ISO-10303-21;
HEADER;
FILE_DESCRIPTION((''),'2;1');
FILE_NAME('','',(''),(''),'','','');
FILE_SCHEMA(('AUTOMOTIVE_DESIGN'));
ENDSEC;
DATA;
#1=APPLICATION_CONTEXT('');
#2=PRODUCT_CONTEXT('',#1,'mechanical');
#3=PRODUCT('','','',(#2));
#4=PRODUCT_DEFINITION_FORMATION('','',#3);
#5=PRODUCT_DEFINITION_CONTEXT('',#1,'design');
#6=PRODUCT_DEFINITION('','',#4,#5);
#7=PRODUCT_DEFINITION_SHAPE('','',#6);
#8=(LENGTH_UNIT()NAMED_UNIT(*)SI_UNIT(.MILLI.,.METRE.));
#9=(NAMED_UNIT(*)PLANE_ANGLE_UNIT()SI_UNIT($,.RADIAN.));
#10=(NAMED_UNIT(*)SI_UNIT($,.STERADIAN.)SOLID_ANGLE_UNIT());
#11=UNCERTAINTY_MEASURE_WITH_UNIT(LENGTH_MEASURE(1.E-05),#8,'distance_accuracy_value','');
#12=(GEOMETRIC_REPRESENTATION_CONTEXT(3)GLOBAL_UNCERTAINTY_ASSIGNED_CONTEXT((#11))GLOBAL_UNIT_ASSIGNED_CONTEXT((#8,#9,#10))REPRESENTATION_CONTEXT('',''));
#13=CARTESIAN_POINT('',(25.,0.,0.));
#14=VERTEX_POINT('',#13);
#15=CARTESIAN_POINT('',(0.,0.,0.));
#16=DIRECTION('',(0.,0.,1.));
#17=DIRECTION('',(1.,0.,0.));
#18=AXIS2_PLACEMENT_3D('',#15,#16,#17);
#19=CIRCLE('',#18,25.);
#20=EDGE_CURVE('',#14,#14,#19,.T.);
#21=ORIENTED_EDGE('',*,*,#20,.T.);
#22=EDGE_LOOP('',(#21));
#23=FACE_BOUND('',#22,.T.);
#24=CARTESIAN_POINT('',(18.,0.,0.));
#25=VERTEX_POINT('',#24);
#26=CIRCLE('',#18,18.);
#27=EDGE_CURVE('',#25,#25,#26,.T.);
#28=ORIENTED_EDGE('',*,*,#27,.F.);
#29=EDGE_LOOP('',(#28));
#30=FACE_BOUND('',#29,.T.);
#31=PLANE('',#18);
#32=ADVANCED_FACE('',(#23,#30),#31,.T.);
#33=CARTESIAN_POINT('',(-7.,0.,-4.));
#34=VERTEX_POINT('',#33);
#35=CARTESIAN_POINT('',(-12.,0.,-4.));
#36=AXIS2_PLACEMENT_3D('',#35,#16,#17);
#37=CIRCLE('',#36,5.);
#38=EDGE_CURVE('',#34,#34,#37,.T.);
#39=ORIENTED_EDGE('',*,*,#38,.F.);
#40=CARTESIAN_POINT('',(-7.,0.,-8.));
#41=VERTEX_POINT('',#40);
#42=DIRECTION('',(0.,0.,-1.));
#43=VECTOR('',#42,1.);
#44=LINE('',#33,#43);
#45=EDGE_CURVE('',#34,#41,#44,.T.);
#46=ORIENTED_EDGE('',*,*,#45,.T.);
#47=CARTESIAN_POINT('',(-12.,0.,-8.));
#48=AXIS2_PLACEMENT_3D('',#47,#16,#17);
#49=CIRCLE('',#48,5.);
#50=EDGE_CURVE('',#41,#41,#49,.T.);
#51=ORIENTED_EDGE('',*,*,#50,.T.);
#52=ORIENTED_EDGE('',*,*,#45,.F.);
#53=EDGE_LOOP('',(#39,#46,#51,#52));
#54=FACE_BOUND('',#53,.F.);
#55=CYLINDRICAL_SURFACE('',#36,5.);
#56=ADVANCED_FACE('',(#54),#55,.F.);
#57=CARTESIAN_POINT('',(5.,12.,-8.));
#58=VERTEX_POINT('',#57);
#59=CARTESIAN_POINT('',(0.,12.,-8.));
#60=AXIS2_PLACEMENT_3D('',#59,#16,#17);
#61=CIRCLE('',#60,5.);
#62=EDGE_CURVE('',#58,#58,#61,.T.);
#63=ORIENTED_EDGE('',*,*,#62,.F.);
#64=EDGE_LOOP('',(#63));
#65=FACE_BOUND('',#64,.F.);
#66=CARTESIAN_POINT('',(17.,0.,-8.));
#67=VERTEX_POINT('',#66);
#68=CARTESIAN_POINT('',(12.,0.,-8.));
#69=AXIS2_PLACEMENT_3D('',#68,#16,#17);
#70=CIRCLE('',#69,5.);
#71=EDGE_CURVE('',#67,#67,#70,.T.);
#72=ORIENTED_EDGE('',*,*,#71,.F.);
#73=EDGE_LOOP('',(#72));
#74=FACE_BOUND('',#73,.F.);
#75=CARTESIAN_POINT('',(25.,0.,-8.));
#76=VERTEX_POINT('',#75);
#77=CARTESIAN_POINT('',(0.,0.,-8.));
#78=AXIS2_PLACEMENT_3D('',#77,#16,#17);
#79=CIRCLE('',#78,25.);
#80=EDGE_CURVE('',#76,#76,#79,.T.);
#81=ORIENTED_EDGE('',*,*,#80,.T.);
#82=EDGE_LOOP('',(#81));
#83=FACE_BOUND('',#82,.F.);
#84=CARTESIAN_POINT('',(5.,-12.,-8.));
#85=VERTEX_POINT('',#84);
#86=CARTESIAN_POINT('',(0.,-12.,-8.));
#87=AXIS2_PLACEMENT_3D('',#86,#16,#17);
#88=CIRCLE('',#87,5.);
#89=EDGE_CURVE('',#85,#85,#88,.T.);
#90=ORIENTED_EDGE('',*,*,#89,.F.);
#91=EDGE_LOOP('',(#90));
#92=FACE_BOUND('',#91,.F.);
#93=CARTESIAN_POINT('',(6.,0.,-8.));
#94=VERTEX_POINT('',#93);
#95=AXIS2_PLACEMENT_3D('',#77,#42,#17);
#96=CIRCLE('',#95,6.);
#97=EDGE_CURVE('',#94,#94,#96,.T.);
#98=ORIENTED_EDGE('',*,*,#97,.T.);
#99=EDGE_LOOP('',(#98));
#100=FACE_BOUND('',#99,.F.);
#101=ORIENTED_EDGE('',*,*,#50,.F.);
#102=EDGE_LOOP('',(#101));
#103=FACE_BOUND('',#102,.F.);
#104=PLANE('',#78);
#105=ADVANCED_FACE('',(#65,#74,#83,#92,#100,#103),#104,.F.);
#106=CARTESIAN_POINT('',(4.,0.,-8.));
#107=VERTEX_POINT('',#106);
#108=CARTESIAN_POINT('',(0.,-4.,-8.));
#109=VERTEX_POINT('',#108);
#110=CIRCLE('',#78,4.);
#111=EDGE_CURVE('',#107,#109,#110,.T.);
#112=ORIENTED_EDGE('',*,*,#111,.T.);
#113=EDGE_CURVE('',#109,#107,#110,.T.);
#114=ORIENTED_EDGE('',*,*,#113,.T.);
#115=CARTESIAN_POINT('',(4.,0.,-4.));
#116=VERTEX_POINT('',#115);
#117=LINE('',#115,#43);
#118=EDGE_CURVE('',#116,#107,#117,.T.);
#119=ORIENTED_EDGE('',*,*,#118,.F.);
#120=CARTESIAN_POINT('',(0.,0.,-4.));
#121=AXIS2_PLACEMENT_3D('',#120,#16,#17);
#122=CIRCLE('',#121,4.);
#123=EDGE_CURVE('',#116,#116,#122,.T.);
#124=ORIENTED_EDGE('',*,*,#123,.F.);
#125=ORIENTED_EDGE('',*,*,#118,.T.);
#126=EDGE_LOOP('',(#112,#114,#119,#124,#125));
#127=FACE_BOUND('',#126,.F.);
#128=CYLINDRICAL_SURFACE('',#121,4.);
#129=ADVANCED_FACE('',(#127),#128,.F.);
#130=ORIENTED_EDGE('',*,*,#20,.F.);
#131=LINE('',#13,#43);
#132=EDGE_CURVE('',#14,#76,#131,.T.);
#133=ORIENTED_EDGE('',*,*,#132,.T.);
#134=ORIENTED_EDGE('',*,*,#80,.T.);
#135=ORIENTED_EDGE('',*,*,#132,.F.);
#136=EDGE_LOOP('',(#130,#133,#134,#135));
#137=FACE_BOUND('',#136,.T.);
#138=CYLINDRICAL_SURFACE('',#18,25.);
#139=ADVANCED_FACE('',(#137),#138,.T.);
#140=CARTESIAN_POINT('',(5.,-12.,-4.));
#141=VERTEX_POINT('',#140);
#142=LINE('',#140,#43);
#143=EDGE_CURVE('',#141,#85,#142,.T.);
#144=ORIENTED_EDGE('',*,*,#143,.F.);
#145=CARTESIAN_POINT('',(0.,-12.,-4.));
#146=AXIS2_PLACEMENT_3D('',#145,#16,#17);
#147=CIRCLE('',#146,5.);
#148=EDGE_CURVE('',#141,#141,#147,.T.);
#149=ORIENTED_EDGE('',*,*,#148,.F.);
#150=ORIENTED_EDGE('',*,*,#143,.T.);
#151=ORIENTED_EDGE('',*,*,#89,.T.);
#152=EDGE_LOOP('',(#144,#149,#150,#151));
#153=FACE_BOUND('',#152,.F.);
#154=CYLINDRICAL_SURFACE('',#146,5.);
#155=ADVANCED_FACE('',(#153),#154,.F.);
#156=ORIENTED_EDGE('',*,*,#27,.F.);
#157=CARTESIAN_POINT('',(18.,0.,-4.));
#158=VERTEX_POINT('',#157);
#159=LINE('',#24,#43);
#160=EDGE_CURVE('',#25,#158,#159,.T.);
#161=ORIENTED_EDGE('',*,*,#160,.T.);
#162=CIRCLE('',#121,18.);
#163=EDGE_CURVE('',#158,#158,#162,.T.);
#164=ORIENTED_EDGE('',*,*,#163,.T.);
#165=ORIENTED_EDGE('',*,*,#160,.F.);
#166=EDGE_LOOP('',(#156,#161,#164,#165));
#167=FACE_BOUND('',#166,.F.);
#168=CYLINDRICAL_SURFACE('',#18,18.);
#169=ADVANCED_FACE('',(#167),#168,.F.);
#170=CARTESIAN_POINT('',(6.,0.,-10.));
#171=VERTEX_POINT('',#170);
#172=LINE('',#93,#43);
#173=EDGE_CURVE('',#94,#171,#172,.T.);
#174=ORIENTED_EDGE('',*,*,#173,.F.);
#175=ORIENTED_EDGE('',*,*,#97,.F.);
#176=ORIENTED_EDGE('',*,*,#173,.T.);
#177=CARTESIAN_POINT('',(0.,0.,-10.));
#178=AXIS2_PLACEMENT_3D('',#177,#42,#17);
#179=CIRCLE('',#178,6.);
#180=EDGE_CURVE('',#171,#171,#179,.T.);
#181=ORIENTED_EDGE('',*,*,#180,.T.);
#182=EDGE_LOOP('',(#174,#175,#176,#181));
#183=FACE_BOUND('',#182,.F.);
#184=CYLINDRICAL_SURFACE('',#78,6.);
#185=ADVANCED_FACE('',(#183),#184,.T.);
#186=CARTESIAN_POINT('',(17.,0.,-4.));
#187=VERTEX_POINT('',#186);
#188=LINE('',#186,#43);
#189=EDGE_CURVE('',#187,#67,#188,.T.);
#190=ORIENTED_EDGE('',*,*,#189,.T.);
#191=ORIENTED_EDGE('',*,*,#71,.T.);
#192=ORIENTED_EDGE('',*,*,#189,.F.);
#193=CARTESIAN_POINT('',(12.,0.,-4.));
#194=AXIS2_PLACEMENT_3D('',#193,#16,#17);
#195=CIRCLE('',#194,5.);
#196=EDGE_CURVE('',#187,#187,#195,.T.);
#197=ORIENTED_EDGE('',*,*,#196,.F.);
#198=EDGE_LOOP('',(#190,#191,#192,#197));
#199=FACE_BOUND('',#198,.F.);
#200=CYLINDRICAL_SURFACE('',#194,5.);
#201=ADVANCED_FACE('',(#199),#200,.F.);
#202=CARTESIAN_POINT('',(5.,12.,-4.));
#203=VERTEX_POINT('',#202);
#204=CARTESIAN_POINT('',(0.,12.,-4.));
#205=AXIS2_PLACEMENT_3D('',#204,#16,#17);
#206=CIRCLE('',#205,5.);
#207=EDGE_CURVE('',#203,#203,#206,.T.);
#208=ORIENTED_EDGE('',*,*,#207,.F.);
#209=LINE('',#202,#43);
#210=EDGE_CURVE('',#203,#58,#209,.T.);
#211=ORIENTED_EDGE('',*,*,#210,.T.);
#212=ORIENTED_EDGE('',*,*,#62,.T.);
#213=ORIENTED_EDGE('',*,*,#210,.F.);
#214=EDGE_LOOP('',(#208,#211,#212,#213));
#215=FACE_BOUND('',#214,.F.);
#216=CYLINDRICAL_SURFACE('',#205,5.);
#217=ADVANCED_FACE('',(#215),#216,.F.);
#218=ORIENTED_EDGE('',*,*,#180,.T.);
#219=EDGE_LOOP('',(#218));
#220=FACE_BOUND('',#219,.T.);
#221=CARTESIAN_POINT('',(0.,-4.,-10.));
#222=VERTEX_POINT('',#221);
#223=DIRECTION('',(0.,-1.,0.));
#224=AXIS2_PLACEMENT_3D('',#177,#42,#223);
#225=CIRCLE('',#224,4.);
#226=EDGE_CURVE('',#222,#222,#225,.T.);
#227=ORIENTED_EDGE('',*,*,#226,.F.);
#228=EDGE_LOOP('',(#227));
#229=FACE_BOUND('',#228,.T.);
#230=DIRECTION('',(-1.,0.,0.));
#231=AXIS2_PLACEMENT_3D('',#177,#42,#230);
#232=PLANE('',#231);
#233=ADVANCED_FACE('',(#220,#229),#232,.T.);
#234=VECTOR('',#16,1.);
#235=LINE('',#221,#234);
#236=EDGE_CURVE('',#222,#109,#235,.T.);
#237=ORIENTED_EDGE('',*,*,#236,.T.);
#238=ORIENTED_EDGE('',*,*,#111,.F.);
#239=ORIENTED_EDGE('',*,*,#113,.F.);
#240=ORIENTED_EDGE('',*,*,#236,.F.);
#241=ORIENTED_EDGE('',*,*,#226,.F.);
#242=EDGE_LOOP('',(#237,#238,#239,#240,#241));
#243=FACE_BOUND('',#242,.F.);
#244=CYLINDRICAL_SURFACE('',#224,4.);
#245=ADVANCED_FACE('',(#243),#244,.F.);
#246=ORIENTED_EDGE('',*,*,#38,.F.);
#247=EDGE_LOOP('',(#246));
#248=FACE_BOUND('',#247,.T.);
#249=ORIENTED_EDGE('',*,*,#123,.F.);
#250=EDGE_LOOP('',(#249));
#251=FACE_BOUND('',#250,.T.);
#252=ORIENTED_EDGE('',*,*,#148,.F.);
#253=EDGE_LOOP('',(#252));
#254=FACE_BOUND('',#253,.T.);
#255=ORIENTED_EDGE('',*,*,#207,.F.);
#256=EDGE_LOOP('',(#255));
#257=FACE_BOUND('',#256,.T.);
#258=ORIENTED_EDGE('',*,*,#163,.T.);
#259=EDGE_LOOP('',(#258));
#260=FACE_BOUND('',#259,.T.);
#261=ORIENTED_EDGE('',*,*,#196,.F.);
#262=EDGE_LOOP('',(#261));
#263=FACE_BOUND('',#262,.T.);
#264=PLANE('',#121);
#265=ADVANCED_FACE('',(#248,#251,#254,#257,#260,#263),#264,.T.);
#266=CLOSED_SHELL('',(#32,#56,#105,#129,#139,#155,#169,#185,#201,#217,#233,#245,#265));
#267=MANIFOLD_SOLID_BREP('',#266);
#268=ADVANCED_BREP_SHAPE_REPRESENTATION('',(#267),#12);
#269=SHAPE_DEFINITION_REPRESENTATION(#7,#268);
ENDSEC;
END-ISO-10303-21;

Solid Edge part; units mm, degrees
sketch "Sketch1" plane through (0, 0, 0) normal (0, 0, 1) x (1, 0, 0)
  circle A0 centre (0, 0) radius 25
extrude "Protrusion1" add sketch "Sketch1" against normal blind 8
sketch "Sketch2" plane through (0, 0, 0) normal (0, 0, 1) x (1, 0, 0)
  circle A0 centre (0, 0) radius 18
extrude "BigHole" cut sketch "Sketch2" against normal blind 4
sketch "Sketch3" plane through (0, 0, -4) normal (0, 0, 1) x (1, 0, 0)
  circle A0 centre (0, 0) radius 4
extrude "SmallMiddleHoleP1" cut sketch "Sketch3" against normal blind 6
sketch "Sketch4" plane through (0, 0, -8) normal (0, 0, -1) x (1, 0, 0)
  circle A0 centre (0, 0) radius 6
extrude "SmallExtensionBottom" add sketch "Sketch4" along normal blind 2
sketch "Sketch5" plane through (0, 0, -10) normal (0, 0, -1) x (0, -1, 0)
  circle A0 centre (0, 0) radius 4
extrude "SmallMiddleHoleP2" cut sketch "Sketch5" against normal blind 2
sketch "Sketch6" plane through (0, 0, -4) normal (0, 0, 1) x (1, 0, 0)
  circle A0 centre (12, 0) radius 5
  circle A1 centre (-12, 0) radius 5
  circle A2 centre (0, 12) radius 5
  circle A3 centre (0, -12) radius 5
extrude "v_2HolesLR" cut sketch "Sketch6" against normal blind 6
